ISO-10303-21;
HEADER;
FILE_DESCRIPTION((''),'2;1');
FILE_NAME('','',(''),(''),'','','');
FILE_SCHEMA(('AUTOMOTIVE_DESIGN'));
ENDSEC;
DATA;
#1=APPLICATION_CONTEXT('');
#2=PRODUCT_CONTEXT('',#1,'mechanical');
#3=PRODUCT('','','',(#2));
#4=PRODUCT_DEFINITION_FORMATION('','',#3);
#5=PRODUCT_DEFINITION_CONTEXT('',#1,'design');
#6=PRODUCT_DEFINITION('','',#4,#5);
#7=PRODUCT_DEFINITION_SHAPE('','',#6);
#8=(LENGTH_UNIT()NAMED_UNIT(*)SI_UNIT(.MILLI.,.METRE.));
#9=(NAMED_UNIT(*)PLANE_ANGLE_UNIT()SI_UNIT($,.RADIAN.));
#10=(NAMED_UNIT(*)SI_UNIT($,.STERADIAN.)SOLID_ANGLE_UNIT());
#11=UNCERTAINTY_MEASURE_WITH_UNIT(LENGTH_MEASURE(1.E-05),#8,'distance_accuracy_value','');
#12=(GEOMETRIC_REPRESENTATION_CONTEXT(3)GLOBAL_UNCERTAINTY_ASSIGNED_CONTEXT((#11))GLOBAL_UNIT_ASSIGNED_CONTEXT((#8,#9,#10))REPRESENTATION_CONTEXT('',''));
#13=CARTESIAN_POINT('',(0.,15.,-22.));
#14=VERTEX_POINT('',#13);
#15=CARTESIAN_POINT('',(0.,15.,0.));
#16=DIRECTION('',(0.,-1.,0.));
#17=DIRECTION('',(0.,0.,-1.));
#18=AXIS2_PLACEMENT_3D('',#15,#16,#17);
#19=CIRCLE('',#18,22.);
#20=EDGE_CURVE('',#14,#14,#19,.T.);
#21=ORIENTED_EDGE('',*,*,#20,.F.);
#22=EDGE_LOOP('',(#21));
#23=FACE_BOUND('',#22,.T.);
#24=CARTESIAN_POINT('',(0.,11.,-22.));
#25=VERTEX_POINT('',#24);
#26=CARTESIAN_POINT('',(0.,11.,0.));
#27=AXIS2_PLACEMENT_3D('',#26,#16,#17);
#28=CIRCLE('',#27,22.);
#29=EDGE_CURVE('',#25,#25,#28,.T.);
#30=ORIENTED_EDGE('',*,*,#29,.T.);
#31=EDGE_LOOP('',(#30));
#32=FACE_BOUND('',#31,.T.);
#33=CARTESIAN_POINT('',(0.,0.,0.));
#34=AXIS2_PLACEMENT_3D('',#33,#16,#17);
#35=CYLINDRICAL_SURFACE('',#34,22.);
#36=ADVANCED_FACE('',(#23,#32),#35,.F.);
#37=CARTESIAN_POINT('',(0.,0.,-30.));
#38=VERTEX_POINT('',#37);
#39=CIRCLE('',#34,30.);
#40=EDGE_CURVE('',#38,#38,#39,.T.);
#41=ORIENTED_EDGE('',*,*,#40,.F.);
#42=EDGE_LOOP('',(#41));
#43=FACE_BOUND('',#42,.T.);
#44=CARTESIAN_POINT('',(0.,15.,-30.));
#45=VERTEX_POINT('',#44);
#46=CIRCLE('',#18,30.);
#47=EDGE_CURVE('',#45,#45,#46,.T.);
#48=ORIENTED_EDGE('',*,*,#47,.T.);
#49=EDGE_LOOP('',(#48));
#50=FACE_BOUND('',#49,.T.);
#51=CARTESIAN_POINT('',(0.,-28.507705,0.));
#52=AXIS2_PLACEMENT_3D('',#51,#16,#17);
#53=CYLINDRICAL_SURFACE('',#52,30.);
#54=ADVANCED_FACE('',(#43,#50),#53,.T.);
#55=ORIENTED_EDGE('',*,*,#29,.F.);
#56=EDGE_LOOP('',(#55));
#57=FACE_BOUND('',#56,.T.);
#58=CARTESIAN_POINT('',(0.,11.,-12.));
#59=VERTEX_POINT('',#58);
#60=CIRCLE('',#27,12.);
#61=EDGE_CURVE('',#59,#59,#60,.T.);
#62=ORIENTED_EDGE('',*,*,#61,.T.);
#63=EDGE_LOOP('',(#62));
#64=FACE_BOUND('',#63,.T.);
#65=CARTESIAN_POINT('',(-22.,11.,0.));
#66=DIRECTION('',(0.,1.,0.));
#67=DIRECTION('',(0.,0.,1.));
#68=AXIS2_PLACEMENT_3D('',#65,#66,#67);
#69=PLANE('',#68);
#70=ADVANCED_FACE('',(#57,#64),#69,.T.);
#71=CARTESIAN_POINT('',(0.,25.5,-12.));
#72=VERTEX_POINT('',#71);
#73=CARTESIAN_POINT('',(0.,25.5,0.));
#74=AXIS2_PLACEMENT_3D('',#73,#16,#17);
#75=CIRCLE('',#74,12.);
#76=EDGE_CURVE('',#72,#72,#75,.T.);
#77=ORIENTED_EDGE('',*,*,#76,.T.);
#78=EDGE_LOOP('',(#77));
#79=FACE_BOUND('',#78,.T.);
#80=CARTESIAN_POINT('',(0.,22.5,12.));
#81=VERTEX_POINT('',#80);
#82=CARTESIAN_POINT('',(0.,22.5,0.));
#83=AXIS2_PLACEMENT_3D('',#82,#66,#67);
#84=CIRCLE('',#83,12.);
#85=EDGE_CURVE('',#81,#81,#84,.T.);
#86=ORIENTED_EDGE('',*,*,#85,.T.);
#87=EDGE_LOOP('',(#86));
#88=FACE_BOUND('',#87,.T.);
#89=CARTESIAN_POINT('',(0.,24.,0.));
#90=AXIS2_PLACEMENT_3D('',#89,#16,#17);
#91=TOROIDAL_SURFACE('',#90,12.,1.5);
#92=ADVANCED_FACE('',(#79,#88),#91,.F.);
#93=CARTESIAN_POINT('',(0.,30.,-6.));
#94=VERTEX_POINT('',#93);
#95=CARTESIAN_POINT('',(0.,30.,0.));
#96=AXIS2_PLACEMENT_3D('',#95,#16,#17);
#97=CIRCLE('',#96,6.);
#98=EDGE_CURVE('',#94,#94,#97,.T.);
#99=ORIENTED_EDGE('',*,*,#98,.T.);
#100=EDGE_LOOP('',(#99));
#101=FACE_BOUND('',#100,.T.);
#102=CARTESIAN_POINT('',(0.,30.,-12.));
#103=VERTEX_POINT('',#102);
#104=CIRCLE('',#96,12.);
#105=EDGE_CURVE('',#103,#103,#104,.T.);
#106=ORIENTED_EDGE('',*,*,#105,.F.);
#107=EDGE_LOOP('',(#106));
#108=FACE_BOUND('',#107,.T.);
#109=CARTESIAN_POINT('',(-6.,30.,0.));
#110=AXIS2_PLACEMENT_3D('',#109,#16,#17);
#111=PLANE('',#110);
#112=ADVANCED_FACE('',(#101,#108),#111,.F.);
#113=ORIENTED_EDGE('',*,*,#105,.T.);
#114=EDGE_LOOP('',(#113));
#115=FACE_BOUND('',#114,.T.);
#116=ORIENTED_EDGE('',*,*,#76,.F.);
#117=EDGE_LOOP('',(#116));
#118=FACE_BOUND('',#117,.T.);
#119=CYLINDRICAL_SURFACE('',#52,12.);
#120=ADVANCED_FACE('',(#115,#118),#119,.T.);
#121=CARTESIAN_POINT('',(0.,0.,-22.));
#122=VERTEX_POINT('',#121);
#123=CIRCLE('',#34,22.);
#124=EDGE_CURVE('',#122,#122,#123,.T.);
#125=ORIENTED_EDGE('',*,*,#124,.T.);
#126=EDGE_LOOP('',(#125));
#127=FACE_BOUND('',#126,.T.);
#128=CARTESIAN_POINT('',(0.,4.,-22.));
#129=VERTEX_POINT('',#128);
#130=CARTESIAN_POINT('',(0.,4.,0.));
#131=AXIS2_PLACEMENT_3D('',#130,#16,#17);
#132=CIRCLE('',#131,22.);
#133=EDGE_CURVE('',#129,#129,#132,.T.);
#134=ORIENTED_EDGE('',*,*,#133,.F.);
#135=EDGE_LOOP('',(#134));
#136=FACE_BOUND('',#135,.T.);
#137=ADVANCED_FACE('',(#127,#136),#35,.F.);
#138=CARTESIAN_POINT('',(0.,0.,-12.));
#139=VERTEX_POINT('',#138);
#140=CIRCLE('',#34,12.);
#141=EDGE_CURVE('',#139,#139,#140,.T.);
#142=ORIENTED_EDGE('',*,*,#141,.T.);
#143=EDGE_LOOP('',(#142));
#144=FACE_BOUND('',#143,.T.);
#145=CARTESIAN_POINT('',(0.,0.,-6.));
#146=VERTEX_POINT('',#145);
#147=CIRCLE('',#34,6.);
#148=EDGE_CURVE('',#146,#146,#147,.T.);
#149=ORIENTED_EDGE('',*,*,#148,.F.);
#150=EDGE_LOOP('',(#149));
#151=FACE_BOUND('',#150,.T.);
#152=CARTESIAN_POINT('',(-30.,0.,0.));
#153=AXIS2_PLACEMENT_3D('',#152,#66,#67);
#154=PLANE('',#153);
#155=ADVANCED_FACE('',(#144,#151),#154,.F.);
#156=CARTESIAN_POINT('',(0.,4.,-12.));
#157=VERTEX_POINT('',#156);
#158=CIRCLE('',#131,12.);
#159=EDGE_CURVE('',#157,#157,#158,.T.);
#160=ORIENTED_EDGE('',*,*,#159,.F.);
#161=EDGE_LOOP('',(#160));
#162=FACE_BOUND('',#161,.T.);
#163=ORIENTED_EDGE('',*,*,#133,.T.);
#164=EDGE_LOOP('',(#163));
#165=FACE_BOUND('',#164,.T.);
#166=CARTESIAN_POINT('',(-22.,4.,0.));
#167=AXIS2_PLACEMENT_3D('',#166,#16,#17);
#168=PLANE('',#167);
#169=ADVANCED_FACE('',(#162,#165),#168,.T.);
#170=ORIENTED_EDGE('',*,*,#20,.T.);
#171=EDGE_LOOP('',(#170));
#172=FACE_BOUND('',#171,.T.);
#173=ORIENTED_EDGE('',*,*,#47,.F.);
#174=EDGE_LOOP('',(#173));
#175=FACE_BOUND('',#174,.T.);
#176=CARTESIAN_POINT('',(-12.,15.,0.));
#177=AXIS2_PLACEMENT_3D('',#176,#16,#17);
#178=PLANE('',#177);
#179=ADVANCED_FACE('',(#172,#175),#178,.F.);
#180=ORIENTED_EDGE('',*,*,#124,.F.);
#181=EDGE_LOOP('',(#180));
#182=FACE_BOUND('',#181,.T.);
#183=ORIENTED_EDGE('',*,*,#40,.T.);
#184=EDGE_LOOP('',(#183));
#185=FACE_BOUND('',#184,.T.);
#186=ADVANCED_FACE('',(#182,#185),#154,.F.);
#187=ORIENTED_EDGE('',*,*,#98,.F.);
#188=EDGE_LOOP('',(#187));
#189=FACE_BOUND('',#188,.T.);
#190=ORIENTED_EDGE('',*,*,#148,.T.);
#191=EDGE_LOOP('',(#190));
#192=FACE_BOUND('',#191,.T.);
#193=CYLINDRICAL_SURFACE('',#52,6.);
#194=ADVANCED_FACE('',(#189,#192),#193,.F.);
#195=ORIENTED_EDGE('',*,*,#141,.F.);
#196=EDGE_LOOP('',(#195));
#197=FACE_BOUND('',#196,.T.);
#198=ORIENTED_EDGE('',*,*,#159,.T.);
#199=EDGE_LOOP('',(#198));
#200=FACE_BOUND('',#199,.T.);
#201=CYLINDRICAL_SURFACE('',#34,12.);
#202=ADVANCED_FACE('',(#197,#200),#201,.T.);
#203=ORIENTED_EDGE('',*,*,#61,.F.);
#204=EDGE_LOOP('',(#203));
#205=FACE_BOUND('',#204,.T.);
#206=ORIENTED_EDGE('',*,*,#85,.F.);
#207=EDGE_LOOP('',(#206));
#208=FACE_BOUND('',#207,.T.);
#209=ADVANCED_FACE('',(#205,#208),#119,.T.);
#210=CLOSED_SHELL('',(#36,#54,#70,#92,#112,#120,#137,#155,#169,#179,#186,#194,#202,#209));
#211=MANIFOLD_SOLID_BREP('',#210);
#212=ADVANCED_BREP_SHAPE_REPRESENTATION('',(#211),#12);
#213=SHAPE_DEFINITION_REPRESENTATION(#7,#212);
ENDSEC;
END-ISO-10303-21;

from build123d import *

# Parameters (mm, degrees)
SKETCH_2_R = 1.5
SKETCH_2_W = 10
SKETCH_2_H = 4


with BuildPart() as part:
    # 草图1 → 旋转1 (revolve)
    with BuildSketch(Plane.XY, mode=Mode.PRIVATE) as revolve_1_sk:
        Polygon((-12, 30), (-12, 15), (-30, 15), (-30, 0), (-6, 0), (-6, 30), align=None)
    revolve(revolve_1_sk.sketch.rotate(Axis((0, -28.507704651, 0), (0, 1, 0)), 270), axis=Axis((0, -28.507704651, 0), (0, 1, 0)))

    # 草图2 → 切除-旋转1 (revolve, cut)
    with BuildSketch(Plane.XY, mode=Mode.PRIVATE) as cut_revolve_1_sk:
        with Locations((-12, 24)):
            Circle(SKETCH_2_R)
        with Locations((-17, 13)):
            Rectangle(SKETCH_2_W, SKETCH_2_H)
        with Locations((-17, 2)):
            Rectangle(SKETCH_2_W, SKETCH_2_H)
    revolve(cut_revolve_1_sk.sketch.rotate(Axis((0, 0, 0), (0, 1, 0)), 270), axis=Axis((0, 0, 0), (0, 1, 0)), mode=Mode.SUBTRACT)


solid = part.part
